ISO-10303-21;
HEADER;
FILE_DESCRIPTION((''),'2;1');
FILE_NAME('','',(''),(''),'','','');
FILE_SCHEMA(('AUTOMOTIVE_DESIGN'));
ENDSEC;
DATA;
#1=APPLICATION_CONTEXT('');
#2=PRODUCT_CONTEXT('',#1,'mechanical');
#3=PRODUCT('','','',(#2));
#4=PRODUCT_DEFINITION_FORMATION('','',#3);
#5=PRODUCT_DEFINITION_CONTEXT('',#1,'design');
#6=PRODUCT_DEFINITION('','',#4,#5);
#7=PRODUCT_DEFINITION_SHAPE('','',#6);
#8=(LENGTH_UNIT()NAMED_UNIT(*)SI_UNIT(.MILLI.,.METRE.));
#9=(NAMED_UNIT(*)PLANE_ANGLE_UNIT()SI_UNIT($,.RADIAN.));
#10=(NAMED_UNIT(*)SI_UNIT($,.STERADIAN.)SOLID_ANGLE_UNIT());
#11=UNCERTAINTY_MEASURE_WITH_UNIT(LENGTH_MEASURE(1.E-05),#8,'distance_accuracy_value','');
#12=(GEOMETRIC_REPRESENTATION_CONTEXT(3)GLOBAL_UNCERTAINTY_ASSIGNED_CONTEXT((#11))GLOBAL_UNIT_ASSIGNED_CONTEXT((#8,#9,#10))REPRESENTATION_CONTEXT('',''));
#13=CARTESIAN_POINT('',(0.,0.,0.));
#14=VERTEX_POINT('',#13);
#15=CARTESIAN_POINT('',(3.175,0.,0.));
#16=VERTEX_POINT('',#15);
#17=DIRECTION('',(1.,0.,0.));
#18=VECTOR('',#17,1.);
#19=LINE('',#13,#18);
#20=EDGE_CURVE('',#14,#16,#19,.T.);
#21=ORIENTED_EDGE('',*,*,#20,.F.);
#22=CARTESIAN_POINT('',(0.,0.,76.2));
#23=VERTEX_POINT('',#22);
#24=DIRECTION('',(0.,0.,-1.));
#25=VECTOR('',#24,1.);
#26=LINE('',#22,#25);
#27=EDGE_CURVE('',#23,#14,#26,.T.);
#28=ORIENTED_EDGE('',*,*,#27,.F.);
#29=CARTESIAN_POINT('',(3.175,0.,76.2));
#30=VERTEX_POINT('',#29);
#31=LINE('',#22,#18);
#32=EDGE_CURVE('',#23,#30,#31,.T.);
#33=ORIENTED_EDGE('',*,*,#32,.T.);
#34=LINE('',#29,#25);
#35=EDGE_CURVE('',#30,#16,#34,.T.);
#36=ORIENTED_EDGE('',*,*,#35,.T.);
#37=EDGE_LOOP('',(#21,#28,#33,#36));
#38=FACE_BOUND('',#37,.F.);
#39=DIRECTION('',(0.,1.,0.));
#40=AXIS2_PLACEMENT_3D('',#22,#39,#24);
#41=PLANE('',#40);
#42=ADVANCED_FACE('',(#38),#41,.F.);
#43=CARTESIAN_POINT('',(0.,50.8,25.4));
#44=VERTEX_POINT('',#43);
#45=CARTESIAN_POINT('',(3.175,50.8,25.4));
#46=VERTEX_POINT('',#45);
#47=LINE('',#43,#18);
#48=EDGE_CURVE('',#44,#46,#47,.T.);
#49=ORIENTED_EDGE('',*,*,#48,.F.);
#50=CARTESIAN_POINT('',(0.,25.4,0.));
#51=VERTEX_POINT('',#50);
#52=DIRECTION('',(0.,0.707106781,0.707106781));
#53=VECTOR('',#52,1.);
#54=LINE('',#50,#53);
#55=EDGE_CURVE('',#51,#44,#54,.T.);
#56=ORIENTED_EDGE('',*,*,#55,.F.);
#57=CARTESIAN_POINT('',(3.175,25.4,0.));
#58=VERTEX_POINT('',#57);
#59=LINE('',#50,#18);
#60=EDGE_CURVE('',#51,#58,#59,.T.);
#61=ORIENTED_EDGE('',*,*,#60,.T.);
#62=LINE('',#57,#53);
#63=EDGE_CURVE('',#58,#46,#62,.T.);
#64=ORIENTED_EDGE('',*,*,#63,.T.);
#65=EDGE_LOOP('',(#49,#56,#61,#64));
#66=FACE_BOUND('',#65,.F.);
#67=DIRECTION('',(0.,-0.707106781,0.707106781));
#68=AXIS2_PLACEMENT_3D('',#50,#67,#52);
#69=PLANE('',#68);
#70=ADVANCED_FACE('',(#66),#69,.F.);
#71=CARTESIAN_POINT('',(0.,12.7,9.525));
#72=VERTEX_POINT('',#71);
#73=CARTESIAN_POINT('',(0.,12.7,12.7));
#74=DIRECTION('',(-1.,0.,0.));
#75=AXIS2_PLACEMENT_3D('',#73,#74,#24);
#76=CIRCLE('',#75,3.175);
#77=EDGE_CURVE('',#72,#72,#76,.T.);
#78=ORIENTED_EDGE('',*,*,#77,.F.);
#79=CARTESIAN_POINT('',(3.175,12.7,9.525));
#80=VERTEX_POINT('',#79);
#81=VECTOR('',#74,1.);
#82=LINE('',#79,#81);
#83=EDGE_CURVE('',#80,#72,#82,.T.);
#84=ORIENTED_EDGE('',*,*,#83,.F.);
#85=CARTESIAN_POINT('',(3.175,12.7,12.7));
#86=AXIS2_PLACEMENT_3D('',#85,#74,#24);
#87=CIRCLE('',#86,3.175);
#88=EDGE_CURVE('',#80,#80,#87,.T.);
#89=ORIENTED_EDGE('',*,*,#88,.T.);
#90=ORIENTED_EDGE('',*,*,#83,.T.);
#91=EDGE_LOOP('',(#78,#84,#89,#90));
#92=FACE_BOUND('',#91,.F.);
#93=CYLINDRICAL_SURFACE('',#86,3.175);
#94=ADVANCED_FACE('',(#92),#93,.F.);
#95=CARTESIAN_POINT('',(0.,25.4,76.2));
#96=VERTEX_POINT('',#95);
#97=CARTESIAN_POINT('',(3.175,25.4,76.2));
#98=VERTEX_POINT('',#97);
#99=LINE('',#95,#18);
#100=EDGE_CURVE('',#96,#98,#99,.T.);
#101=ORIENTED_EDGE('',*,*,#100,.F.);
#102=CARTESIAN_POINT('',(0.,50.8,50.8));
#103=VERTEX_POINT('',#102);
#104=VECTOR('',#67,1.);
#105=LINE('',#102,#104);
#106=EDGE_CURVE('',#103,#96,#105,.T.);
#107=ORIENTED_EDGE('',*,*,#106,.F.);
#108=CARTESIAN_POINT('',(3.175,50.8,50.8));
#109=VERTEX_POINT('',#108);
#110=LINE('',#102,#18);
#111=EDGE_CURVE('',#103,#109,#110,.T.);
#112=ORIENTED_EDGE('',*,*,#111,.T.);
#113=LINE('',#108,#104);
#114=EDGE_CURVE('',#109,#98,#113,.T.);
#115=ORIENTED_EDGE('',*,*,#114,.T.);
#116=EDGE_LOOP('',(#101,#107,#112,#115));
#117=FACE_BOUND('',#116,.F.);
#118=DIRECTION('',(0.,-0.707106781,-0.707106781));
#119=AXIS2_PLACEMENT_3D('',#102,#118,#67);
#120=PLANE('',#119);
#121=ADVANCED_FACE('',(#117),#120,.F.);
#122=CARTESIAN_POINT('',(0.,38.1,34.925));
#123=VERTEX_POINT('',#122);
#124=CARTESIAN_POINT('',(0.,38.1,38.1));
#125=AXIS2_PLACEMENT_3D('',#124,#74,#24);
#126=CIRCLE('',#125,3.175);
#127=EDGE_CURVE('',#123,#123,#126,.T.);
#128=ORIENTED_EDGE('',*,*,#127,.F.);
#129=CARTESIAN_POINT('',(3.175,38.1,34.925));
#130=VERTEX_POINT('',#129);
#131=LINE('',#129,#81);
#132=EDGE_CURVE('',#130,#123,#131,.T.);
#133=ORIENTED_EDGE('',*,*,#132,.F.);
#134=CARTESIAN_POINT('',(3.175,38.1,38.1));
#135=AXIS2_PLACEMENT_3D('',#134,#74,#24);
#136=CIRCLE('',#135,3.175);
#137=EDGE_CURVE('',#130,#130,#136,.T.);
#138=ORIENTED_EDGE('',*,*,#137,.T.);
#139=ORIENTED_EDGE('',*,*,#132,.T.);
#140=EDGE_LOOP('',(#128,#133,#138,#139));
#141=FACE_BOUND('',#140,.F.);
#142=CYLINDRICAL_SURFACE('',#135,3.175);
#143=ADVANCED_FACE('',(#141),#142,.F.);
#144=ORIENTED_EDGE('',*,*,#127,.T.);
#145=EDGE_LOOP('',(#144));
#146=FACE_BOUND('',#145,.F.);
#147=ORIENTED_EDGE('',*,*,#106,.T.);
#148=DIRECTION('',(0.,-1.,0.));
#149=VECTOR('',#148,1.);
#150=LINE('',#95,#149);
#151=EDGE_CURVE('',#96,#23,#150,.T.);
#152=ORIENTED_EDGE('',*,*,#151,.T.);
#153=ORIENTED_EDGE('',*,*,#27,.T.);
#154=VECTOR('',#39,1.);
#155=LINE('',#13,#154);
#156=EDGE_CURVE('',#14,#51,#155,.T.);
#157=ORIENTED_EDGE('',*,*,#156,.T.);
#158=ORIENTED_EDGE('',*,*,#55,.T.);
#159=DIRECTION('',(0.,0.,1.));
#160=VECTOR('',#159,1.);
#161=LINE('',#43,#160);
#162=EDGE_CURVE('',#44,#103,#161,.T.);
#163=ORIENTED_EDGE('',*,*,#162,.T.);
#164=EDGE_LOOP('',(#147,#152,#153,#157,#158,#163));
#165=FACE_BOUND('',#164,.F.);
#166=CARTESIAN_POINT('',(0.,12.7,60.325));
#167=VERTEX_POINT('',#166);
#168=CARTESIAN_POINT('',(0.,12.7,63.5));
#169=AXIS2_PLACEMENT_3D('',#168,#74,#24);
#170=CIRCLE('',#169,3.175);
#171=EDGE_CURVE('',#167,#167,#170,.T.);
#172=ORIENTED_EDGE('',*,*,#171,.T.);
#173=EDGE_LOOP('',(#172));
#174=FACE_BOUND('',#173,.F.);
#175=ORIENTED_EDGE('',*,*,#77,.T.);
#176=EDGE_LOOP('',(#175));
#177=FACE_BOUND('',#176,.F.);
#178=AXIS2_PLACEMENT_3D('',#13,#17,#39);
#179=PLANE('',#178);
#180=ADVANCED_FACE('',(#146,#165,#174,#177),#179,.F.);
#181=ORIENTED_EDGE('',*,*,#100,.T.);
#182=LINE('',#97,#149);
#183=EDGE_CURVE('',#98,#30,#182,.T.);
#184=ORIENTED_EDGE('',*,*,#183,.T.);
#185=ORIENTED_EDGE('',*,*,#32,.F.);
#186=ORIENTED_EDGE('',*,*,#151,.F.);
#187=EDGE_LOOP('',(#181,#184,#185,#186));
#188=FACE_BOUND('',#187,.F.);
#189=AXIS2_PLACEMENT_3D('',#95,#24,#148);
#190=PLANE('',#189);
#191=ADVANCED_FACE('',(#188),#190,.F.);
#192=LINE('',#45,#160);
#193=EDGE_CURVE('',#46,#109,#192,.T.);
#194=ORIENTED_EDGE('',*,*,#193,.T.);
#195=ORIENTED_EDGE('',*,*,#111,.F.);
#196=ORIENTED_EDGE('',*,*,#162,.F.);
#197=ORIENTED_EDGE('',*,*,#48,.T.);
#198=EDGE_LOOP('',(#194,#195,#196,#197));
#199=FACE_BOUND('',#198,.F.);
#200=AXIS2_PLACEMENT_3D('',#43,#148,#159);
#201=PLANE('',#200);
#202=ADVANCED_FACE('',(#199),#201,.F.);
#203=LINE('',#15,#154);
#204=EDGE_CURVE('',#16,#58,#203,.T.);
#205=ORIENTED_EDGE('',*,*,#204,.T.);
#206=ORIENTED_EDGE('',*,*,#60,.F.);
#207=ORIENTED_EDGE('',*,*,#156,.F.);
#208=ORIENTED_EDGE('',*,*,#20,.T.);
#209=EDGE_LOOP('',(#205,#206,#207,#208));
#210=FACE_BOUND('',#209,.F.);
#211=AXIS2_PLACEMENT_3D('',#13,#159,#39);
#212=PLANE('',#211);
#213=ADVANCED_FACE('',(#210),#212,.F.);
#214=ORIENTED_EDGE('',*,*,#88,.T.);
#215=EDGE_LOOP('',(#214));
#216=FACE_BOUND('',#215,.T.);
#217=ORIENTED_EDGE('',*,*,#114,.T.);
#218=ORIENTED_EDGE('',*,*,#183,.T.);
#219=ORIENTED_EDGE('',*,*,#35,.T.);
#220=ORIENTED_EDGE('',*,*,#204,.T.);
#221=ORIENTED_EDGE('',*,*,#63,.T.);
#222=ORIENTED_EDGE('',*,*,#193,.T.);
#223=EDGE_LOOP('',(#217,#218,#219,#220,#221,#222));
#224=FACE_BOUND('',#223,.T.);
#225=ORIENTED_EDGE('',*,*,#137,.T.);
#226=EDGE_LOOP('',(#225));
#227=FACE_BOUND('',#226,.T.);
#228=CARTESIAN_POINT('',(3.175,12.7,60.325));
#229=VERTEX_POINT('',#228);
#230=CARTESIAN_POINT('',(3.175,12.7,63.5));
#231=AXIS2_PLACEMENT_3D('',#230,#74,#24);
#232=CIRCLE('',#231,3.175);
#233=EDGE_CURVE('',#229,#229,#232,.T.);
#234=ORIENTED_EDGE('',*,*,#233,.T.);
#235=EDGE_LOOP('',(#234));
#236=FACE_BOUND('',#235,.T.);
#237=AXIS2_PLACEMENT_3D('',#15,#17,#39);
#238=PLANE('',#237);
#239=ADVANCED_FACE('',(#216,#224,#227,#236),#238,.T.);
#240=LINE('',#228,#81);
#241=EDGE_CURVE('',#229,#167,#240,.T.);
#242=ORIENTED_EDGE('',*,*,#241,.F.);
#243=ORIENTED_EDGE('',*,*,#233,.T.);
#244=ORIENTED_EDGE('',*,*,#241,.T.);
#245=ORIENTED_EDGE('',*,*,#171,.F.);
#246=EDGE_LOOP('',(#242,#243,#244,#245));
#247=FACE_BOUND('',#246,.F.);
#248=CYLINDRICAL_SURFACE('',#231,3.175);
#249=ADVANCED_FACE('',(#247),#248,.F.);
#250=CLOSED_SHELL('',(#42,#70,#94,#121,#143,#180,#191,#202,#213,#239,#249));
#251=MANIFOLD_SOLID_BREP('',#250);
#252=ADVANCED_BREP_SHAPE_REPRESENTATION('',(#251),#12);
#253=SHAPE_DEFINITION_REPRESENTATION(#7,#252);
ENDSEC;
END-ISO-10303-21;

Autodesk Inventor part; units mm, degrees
ref_plane "YZ Plane" through (0, 0, 0) normal (1, 0, 0) x (0, 1, 0)
ref_plane "XZ Plane" through (0, 0, 0) normal (0, 1, 0) x (-1, 0, 0)
ref_plane "XY Plane" through (0, 0, 0) normal (0, 0, 1) x (1, 0, 0)
sketch "Sketch1" plane through (0, 0, 0) normal (1, 0, 0) x (0, 1, 0)
  line L0 (50.8, 25.4) -> (50.8, 50.8)
  line L1 (50.8, 50.8) -> (25.4, 76.2)
  line L2 (25.4, 76.2) -> (0, 76.2)
  line L3 (0, 76.2) -> (0, 0)
  line L4 (0, 0) -> (25.4, 0)
  line L5 (25.4, 0) -> (50.8, 25.4)
  dimension "d0" = 76.2
  dimension "d1" = 25.4
  dimension "d3" = 25.4
  dimension "d4" = 25.4
  dimension "d5" = 25.4
  dimension "d6" = 25.4
  dimension "d7" = 50.8
extrude "Extrusion1" add sketch "Sketch1" along normal blind 3.175
sketch "Sketch2" plane through (3.175, 0, 0) normal (1, 0, 0) x (0, 0, -1)
  line L0 (-76.2, 0) -> (0, 0) projected
  line L1 (0, 0) -> (0, 25.4) projected
  line L2 (-25.4, 50.8) -> (-50.8, 50.8) projected
  line L3 (-76.2, 25.4) -> (-76.2, 0) projected
  point P0 (-38.1, 38.1)
  point P1 (-12.7, 12.7)
  point P2 (-63.5, 12.7)
  dimension "d10" = 12.7
  dimension "d11" = 12.7
  dimension "d12" = 12.7
  dimension "d13" = 12.7
  dimension "d14" = 12.7
  dimension "d15" = 12.7
hole "Hole1" at (3.175, 38.1, 38.1) at (3.175, 12.7, 12.7) at (3.175, 12.7, 63.5) direction (-1, 0, 0) diameter 6.35 end through all
properties part number "SupportT" material "Aluminum 6061"
